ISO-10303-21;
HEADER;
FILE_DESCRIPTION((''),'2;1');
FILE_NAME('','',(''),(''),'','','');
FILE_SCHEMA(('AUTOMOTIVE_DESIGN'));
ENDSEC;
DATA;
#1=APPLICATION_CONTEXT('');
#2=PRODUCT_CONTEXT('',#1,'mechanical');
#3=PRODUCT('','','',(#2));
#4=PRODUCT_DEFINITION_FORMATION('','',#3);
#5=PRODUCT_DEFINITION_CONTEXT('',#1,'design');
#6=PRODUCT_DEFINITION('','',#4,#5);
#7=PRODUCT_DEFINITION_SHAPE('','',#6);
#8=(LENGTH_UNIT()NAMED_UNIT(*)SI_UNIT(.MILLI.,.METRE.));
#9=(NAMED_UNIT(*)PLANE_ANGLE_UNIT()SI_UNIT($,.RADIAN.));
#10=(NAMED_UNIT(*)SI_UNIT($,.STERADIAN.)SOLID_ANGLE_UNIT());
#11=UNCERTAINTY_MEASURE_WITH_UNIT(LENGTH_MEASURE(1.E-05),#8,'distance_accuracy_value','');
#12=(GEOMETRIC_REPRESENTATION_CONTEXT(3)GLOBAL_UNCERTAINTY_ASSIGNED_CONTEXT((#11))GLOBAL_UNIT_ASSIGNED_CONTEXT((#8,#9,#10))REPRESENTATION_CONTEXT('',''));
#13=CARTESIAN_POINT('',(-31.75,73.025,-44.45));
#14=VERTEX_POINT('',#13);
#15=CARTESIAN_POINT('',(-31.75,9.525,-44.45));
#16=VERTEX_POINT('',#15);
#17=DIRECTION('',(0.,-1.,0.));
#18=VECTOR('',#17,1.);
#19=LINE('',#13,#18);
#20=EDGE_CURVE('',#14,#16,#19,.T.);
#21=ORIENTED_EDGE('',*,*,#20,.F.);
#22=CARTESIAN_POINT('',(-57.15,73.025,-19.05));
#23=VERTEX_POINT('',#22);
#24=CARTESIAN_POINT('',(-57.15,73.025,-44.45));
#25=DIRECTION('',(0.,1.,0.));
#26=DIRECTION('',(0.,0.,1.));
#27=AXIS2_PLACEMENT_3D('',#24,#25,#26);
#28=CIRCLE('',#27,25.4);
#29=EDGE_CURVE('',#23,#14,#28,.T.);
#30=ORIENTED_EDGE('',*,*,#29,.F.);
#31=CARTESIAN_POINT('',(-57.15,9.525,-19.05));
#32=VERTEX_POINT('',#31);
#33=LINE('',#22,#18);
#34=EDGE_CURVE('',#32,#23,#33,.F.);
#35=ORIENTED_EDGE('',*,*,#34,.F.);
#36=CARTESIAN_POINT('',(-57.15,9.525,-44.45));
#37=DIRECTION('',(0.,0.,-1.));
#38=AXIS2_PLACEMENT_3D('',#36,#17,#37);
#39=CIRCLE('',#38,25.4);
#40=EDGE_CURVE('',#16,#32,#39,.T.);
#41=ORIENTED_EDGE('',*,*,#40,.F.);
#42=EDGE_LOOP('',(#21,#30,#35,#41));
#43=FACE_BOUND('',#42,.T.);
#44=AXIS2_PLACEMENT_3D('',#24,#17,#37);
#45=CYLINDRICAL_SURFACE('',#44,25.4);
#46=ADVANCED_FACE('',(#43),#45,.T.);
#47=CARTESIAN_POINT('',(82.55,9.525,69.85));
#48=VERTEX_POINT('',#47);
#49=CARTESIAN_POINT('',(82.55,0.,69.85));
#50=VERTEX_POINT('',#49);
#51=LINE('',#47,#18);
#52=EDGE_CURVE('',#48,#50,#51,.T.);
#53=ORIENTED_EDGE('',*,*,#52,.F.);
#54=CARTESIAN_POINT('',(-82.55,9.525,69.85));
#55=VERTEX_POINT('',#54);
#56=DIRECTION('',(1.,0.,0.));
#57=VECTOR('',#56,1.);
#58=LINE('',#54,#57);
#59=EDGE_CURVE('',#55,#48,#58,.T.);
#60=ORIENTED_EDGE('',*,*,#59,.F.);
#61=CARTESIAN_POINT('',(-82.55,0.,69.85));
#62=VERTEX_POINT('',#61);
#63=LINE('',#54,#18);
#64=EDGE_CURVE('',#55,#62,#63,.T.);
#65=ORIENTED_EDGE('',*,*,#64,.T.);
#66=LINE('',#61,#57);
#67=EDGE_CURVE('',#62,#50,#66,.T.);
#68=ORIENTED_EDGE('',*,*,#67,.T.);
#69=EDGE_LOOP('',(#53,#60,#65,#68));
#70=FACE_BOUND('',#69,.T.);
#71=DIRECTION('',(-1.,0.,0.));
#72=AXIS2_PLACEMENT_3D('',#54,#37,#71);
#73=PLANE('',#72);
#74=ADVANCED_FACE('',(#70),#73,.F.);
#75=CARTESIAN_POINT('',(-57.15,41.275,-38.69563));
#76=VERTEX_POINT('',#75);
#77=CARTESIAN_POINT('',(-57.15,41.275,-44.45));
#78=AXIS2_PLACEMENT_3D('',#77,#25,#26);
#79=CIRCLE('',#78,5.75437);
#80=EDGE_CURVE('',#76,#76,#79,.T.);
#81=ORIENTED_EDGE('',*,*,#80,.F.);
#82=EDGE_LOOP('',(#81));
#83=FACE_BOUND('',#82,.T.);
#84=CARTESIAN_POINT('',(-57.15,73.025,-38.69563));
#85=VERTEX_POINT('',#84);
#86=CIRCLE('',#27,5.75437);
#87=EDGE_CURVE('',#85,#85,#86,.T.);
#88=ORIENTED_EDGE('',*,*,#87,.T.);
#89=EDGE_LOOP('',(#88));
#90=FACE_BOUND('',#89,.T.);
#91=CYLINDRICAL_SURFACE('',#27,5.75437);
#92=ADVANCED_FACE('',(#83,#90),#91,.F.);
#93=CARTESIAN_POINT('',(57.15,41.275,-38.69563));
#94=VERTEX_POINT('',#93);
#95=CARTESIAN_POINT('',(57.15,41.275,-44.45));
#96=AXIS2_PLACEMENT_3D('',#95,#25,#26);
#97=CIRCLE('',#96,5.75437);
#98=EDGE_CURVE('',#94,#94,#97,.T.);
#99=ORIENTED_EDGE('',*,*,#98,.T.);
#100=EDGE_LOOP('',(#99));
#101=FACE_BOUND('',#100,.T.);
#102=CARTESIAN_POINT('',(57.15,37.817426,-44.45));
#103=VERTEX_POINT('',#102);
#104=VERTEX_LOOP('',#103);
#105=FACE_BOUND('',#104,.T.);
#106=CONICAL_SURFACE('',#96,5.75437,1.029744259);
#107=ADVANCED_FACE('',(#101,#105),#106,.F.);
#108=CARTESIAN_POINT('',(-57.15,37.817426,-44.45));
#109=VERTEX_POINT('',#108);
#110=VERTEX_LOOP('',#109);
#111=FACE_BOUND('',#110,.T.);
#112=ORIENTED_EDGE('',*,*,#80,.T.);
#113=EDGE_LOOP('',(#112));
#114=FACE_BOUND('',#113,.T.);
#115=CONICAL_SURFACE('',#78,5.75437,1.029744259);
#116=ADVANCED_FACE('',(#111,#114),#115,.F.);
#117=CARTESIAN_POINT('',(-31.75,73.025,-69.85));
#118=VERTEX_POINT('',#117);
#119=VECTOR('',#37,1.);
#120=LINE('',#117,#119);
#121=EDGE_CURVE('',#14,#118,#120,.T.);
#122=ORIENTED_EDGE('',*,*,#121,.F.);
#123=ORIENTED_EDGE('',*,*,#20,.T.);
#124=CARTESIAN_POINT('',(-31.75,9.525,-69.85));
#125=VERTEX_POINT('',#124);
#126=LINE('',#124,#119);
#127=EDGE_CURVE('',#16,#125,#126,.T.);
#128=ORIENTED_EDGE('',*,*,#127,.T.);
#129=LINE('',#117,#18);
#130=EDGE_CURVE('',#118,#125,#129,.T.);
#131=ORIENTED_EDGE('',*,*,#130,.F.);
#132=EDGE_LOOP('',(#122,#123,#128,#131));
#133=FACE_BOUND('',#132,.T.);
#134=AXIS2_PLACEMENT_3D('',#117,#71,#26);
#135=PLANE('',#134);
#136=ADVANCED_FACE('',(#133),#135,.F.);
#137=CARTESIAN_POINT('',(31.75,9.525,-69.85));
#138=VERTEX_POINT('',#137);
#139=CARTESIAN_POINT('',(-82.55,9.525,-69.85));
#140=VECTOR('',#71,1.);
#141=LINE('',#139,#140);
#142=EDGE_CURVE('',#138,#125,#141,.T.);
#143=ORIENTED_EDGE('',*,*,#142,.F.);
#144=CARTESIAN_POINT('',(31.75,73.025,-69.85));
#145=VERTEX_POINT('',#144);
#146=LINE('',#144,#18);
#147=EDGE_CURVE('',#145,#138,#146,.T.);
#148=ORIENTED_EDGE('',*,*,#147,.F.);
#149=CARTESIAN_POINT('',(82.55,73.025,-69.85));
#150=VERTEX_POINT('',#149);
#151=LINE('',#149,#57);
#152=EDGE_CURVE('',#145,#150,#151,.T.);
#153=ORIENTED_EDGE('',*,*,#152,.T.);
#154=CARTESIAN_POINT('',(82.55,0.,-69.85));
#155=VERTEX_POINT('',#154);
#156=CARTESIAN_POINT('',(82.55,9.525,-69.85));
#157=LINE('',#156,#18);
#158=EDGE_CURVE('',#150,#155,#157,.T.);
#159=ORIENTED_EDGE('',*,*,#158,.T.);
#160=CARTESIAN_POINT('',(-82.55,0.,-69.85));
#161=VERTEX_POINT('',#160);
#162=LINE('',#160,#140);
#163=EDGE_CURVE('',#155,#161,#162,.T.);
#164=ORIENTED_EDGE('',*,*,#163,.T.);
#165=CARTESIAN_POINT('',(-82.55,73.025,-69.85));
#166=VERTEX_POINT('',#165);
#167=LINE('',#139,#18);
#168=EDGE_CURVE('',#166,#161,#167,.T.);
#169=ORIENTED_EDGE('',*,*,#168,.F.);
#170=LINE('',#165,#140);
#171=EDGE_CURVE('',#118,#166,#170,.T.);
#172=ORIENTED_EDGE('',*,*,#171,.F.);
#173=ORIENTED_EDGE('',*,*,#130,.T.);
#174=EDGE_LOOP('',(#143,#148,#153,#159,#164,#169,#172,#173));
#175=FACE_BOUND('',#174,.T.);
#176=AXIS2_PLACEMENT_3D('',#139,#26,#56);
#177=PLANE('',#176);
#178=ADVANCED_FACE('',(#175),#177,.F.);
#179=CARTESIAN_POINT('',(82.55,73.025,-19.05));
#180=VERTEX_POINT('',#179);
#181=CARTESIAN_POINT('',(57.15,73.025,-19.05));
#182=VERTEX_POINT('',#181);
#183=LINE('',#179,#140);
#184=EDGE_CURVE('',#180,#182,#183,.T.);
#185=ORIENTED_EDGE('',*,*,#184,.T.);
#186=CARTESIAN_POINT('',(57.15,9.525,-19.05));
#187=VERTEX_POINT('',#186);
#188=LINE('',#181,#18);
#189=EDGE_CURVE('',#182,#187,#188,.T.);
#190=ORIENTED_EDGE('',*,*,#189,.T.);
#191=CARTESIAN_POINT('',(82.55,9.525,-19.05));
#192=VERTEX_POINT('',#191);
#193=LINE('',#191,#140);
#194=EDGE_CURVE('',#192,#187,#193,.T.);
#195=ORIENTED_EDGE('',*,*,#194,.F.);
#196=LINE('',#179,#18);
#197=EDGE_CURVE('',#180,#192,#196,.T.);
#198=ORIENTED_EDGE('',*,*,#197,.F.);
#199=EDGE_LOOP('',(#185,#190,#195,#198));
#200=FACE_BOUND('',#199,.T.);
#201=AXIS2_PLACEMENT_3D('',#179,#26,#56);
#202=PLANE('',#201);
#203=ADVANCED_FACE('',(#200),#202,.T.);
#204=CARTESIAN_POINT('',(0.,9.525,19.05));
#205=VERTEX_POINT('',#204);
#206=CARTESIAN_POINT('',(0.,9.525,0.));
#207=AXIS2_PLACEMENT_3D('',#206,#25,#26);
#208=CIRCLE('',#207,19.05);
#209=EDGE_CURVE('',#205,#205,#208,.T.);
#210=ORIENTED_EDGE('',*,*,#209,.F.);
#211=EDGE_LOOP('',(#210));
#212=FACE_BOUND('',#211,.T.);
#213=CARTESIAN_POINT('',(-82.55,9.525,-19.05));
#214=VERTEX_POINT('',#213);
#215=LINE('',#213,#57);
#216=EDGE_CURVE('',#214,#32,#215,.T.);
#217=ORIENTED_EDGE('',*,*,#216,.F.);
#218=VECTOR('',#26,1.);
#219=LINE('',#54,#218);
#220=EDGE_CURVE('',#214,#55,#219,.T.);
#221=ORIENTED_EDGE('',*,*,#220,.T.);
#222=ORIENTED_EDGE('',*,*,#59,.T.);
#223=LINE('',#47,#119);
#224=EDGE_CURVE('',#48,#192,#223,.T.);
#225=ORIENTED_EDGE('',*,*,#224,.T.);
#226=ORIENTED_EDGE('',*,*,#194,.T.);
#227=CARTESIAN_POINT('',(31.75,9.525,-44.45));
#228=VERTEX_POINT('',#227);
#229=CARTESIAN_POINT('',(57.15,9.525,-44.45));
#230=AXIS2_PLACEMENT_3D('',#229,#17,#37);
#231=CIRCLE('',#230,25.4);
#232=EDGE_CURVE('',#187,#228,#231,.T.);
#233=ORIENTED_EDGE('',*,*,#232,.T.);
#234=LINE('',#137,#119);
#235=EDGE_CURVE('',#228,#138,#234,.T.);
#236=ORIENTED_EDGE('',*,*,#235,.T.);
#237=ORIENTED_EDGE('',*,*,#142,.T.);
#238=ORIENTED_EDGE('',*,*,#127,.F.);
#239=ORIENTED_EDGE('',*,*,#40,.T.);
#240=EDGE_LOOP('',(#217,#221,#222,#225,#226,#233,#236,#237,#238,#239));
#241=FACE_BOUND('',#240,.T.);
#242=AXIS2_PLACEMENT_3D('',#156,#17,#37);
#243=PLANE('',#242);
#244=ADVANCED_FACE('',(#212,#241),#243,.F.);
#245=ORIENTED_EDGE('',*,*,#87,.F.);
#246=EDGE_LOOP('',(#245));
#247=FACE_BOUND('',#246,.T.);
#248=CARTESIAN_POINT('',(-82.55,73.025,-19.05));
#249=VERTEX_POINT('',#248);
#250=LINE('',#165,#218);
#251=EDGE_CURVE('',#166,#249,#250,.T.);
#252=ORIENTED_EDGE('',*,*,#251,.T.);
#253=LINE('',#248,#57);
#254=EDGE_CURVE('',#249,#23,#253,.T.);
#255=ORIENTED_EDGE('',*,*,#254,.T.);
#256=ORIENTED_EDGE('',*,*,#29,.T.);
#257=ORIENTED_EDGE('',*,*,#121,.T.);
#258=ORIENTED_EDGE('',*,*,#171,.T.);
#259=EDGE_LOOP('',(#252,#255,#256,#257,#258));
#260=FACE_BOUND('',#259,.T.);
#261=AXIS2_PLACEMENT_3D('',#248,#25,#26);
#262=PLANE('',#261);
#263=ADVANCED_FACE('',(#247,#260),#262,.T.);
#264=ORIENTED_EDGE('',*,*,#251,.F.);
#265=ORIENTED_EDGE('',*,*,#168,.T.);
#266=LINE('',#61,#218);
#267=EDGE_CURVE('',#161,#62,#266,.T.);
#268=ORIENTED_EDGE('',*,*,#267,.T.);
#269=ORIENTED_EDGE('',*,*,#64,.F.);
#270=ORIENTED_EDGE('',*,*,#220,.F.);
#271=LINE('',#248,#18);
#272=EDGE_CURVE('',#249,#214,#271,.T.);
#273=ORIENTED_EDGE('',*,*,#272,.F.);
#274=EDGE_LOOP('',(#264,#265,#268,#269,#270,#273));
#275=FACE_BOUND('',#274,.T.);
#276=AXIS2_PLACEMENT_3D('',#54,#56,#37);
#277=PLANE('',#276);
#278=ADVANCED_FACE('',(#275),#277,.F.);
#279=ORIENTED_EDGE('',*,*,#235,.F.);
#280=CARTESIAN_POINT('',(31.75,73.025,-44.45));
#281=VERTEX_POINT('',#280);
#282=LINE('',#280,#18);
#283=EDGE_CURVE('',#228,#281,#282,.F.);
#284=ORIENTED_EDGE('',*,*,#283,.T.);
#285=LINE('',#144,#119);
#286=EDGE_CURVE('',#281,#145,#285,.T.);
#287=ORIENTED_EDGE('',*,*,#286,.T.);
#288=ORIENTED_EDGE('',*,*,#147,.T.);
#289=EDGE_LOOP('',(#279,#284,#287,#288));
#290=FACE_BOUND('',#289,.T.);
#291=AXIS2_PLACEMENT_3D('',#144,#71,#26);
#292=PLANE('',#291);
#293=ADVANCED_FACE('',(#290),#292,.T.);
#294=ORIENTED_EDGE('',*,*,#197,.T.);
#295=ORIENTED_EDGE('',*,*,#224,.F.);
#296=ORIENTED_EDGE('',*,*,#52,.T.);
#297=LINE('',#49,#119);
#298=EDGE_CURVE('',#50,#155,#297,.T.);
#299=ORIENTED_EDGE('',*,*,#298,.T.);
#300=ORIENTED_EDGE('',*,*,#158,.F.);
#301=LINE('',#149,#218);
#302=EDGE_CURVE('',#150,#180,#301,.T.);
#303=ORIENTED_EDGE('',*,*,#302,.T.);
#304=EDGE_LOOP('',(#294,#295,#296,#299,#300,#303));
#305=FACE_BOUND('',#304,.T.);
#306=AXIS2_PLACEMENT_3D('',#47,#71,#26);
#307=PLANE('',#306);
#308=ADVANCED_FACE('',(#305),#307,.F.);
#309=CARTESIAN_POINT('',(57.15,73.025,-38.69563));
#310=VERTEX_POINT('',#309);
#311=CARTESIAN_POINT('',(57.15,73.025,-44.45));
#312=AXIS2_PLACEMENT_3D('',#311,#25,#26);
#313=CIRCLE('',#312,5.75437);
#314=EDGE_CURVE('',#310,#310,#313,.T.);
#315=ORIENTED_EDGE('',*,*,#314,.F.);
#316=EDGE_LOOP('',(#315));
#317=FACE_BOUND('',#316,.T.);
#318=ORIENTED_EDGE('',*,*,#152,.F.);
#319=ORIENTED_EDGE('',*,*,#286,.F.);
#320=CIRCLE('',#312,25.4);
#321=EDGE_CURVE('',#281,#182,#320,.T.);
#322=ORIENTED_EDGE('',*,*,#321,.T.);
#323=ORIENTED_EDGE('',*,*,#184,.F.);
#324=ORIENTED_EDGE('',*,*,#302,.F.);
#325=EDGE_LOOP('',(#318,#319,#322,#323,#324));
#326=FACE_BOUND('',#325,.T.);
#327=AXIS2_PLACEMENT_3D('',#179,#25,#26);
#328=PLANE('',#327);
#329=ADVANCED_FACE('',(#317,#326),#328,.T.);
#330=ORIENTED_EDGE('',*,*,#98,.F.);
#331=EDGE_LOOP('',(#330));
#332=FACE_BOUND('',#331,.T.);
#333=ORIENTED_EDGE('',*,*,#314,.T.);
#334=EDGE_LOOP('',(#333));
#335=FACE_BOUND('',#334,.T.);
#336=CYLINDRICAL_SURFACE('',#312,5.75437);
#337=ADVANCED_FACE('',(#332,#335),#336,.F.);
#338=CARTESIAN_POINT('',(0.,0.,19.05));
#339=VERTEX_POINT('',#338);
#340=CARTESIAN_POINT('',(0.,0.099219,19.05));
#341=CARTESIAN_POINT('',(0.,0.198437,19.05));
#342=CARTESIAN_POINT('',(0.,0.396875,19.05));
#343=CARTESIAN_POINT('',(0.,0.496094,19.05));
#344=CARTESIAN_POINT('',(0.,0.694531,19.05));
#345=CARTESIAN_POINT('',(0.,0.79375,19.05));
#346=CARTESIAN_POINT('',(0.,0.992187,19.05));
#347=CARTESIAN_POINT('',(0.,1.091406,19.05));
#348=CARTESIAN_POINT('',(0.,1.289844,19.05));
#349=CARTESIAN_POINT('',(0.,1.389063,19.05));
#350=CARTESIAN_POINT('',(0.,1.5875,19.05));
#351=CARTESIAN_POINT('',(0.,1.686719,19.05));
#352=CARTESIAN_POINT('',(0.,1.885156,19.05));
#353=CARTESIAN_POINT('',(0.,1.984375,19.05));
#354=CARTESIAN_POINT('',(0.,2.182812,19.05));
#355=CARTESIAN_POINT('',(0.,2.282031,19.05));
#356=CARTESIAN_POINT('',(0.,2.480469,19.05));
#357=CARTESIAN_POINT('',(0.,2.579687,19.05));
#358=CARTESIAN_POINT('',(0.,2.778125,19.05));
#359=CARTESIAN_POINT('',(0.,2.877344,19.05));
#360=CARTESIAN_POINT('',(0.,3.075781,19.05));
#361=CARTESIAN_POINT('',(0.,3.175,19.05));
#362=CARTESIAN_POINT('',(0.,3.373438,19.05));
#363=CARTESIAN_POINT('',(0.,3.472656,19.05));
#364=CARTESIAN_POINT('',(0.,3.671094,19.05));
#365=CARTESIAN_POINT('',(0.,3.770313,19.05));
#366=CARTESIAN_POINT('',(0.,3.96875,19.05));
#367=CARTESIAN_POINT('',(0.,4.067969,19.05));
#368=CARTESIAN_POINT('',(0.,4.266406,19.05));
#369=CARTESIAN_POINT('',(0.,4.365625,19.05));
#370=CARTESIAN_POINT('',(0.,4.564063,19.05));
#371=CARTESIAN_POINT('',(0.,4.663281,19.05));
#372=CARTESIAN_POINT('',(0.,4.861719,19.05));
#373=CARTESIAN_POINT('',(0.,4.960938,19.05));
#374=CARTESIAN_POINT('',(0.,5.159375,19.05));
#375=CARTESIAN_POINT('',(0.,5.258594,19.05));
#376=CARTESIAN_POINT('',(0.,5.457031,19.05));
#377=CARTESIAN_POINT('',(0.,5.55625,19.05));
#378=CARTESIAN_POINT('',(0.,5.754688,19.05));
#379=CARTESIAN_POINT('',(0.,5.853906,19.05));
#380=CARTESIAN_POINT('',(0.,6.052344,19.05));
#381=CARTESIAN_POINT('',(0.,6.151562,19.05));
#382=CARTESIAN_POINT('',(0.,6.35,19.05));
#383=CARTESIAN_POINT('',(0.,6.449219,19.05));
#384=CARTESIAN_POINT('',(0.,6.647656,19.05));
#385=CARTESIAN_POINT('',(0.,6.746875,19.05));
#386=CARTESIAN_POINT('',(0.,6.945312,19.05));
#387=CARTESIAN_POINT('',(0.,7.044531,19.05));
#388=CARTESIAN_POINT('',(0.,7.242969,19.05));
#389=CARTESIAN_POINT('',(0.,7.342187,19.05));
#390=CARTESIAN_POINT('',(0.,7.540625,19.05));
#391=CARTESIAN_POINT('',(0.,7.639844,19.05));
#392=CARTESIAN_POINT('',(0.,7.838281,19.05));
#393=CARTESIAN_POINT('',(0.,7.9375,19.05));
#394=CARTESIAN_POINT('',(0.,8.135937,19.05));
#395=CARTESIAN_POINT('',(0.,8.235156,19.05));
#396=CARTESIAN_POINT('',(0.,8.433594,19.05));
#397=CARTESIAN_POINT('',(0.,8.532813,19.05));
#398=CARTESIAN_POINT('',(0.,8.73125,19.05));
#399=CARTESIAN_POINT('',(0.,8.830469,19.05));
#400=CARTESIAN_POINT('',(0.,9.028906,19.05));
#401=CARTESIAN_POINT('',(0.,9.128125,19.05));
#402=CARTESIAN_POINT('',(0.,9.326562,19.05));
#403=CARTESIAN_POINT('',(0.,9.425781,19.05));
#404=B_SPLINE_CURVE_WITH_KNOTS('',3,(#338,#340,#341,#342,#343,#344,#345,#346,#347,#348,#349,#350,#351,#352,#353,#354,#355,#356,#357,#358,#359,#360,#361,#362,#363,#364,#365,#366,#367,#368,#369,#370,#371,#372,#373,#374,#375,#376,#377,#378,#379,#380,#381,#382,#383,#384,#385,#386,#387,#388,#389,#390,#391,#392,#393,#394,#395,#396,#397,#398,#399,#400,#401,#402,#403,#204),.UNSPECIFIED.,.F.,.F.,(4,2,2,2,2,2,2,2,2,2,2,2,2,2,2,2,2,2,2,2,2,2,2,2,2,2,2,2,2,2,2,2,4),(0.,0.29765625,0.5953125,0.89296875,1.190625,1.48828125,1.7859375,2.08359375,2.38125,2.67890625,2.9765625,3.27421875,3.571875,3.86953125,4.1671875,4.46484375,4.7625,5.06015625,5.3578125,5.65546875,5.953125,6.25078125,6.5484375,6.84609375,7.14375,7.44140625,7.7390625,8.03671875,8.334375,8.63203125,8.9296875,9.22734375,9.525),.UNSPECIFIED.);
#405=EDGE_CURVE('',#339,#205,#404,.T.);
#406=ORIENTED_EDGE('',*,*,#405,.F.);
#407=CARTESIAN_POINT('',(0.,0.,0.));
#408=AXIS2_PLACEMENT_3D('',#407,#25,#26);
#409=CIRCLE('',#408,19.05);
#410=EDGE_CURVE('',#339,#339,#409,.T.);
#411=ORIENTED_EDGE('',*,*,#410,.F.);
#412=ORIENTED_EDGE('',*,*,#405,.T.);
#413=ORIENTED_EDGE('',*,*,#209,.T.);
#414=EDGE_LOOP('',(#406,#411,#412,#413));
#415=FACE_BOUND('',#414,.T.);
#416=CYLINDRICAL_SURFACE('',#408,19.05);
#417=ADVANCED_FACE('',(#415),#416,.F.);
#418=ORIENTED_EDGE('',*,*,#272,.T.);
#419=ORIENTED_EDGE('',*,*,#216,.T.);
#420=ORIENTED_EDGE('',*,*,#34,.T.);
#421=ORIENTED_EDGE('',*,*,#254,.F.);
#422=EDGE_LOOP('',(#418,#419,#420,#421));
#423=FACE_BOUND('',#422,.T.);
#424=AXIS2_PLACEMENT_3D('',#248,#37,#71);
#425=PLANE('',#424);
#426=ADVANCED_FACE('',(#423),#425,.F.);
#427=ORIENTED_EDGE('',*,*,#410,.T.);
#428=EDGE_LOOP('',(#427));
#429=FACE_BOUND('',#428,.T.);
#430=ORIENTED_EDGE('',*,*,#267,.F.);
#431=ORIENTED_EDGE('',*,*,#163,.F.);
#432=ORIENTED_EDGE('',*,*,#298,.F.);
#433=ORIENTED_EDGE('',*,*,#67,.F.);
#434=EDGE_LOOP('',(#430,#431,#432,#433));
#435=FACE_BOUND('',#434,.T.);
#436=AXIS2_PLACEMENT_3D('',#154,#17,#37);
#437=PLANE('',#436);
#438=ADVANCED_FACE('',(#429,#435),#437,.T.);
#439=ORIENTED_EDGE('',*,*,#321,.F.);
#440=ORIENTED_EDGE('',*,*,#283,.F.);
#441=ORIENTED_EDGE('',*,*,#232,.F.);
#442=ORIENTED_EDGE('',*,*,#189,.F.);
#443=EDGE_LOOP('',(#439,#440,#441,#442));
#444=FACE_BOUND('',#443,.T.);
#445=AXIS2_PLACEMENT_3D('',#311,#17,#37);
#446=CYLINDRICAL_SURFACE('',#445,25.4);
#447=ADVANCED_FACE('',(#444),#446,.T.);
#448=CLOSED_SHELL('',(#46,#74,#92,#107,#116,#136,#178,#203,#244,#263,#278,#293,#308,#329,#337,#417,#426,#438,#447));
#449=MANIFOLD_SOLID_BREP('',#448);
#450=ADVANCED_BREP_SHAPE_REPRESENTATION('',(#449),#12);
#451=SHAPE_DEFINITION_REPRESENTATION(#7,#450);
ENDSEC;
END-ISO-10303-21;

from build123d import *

# Parameters (mm, degrees)
SKETCH1_W            = 165.1
SKETCH1_H            = 139.7
BOSS_EXTRUDE1_DEPTH  = 9.525
SKETCH2_W            = 50.8
SKETCH2_H            = 50.8
BOSS_EXTRUDE2_DEPTH  = 63.5
FILLET1_R            = 25.4
FILLET1_OF_MIRROR1_R = 25.4
SKETCH5_R            = 19.05
BASE_HOLE_DEPTH      = 126.402452129


with BuildPart() as part:
    # Sketch1 → Boss-Extrude1 (new body)
    with BuildSketch(Plane(origin=(0, 0, 0), x_dir=(1, 0, 0), z_dir=(0, 1, 0))):
        Rectangle(SKETCH1_W, SKETCH1_H)
    extrude(amount=BOSS_EXTRUDE1_DEPTH)

    # Sketch2 → Boss-Extrude2 (add)
    with BuildSketch(Plane(origin=(0, 9.525, 0), x_dir=(1, 0, 0), z_dir=(0, 1, 0))):
        with Locations((-57.15, 44.45)):
            Rectangle(SKETCH2_W, SKETCH2_H)
    boss_extrude2 = extrude(amount=BOSS_EXTRUDE2_DEPTH)

    # Sketch3 → 1/2-20 Tapped Hole1 (revolve, cut)
    with BuildSketch(Plane(origin=(-57.15, 73.025, -44.45), x_dir=(0, 0, 1), z_dir=(1, 0, 0))):
        Polygon((0, 0), (0, 35.20757432), (5.75437, 31.75), (5.75437, 0), align=None)
    f_1_2_20_tapped_hole1 = revolve(axis=Axis((-57.15, 79.375, -44.45), (0, -1, 0)), mode=Mode.SUBTRACT)

    # Fillet1
    fillet1_edges = [part.edges().sort_by_distance(p)[0] for p in [
        (-31.75, 41.275, -19.05),
    ]]
    fillet(fillet1_edges, radius=FILLET1_R)

    # Mirror1: Boss-Extrude2, 1/2-20 Tapped Hole1 across plane
    add(boss_extrude2.mirror(Plane(origin=(0, 0, 0), x_dir=(0, 0, 1), z_dir=(1, 0, 0))))
    add(f_1_2_20_tapped_hole1.mirror(Plane(origin=(0, 0, 0), x_dir=(0, 0, 1), z_dir=(1, 0, 0))), mode=Mode.SUBTRACT)

    # Fillet1 of Mirror1
    fillet1_of_mirror1_edges = [part.edges().sort_by_distance(p)[0] for p in [
        (31.75, 41.275, -19.05),
    ]]
    fillet(fillet1_of_mirror1_edges, radius=FILLET1_OF_MIRROR1_R)

    # Sketch5 → base hole (cut, through all)
    with BuildSketch(Plane(origin=(0, 9.525, 0), x_dir=(1, 0, 0), z_dir=(0, 1, 0))):
        with Locations(Location((0, 0, 0), (0, 0, 270))):
            Circle(SKETCH5_R)
    extrude(amount=-BASE_HOLE_DEPTH, mode=Mode.SUBTRACT)


solid = part.part
